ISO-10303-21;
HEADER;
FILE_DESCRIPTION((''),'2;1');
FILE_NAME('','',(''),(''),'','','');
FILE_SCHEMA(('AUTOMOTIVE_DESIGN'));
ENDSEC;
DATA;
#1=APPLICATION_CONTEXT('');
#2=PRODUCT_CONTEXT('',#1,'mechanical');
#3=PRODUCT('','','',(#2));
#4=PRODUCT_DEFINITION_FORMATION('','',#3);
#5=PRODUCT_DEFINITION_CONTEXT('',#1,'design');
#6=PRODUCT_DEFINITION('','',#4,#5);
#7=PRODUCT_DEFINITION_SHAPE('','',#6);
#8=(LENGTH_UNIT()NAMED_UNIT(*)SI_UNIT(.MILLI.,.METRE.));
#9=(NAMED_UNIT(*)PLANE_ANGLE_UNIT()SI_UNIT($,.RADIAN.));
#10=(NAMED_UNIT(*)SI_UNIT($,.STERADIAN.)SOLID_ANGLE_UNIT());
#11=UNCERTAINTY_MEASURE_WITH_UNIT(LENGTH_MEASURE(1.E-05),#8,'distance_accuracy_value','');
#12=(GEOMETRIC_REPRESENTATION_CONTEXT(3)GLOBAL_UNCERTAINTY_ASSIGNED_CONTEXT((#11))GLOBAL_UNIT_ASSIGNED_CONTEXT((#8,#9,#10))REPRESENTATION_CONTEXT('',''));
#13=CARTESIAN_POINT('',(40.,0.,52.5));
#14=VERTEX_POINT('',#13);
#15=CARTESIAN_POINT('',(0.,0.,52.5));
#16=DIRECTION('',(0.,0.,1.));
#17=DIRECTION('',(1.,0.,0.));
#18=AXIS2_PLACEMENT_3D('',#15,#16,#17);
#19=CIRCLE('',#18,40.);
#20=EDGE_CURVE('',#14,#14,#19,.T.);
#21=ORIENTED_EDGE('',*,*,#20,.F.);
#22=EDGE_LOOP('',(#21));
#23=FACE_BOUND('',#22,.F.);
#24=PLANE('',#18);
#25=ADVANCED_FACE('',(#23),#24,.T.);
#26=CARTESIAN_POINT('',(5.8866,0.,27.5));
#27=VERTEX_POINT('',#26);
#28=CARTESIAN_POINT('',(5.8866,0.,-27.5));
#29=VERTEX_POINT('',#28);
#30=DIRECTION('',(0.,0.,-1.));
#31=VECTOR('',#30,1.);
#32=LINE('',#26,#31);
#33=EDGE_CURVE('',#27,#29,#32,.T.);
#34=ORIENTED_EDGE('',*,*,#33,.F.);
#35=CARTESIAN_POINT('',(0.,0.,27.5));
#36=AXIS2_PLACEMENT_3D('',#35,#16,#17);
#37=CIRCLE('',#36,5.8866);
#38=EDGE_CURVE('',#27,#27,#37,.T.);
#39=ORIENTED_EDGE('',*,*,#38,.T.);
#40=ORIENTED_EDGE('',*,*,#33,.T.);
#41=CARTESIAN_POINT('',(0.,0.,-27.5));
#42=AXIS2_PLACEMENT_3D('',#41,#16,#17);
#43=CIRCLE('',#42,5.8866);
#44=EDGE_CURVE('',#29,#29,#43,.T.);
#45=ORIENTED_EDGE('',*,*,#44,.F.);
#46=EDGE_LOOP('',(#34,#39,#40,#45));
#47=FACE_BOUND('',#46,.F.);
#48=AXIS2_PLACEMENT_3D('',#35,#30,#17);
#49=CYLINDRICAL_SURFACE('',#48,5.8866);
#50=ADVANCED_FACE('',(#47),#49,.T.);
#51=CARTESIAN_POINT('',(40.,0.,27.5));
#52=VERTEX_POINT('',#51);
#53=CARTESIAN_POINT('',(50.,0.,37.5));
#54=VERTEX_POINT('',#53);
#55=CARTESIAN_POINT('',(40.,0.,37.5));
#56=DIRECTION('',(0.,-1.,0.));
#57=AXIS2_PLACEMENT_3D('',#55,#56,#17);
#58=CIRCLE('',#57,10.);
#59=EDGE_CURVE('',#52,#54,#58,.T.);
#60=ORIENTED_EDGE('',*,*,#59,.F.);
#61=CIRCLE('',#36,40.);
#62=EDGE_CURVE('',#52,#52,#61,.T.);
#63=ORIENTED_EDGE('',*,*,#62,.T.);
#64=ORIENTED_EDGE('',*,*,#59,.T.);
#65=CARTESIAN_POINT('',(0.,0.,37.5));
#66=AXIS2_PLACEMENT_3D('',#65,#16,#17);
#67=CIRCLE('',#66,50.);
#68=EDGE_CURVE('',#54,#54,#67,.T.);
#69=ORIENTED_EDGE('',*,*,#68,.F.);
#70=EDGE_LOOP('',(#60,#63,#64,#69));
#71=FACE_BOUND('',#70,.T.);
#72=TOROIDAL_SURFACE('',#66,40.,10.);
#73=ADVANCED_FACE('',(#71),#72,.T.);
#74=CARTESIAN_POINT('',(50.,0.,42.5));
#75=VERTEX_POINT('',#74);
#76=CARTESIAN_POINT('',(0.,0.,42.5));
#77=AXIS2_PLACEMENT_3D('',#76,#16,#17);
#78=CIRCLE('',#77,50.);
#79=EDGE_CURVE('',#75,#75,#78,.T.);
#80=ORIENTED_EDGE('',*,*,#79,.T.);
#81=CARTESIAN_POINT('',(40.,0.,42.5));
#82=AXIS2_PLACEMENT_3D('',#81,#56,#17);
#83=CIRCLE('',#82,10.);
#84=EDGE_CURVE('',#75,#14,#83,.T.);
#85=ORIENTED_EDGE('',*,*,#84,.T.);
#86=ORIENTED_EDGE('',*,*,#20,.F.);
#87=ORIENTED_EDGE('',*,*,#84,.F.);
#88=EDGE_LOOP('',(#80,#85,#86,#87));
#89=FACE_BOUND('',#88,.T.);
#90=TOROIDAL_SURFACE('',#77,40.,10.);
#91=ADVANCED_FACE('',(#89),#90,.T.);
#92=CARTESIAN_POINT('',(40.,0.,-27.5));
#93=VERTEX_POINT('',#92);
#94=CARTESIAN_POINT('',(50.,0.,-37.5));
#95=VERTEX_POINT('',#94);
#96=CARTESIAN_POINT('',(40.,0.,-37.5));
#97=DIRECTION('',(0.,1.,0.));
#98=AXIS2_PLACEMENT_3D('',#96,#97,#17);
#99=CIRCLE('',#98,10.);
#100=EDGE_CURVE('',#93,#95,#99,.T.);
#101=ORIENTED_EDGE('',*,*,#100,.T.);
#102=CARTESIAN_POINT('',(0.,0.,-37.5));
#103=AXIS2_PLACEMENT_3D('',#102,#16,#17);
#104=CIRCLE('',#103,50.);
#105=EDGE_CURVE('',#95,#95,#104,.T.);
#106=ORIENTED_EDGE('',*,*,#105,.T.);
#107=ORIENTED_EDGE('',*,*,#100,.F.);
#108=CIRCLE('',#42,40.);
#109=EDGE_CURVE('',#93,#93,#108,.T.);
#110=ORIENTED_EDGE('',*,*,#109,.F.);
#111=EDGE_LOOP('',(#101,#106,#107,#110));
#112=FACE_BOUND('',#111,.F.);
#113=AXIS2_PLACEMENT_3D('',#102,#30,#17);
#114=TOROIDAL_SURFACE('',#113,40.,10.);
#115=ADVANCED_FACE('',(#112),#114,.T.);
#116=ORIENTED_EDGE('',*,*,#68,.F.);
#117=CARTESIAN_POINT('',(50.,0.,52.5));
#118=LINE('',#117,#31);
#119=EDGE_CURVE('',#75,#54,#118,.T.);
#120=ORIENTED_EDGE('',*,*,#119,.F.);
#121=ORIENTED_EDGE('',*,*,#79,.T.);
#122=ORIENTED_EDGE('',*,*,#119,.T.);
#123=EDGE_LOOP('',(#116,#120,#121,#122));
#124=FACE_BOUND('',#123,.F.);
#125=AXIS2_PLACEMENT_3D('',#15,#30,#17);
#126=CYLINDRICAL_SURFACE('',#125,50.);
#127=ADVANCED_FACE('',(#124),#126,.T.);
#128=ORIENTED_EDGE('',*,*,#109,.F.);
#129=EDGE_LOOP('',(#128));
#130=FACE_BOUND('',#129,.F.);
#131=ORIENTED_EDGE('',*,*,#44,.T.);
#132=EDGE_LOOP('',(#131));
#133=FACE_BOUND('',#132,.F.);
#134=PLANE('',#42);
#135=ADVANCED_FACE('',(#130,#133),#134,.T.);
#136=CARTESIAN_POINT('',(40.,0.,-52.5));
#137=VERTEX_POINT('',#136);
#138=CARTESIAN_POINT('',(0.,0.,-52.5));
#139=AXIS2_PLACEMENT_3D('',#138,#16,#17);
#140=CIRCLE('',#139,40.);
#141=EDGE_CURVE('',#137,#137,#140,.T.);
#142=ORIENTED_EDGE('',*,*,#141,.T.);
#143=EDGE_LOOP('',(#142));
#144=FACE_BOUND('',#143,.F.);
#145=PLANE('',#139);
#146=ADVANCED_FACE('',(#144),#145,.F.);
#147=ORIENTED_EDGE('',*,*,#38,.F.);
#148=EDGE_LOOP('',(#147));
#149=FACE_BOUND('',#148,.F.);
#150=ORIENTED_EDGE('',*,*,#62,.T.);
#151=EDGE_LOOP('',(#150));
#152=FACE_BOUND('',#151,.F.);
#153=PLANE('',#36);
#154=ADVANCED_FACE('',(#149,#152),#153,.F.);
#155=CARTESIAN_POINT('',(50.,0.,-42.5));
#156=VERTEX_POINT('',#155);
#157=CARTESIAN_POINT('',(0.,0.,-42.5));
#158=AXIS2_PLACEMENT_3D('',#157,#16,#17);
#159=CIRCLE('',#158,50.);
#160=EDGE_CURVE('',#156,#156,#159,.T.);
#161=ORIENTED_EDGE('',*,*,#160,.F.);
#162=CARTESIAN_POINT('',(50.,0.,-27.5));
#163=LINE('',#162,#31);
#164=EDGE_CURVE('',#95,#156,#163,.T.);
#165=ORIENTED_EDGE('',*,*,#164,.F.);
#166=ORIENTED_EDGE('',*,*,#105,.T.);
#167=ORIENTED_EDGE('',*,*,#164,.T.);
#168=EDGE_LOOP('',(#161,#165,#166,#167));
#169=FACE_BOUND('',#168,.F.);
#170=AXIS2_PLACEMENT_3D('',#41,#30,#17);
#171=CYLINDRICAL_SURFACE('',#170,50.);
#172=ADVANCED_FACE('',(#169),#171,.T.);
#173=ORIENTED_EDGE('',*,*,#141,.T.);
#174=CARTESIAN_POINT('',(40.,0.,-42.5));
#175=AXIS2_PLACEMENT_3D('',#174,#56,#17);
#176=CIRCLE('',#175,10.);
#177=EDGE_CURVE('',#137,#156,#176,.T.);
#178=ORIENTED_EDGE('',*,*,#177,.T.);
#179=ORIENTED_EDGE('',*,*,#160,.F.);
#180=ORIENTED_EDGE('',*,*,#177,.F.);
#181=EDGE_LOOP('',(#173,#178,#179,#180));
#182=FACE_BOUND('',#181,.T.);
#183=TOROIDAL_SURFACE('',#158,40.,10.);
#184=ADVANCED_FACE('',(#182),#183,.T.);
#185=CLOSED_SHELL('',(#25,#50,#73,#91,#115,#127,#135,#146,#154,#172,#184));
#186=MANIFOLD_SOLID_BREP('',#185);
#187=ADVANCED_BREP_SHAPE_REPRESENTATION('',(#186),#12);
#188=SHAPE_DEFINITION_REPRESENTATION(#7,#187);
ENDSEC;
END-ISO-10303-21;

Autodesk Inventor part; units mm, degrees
ref_plane "YZ Plane" through (0, 0, 0) normal (1, 0, 0) x (0, 1, 0)
ref_plane "XZ Plane" through (0, 0, 0) normal (0, 1, 0) x (-1, 0, 0)
ref_plane "XY Plane" through (0, 0, 0) normal (0, 0, 1) x (1, 0, 0)
sketch "Sketch1" plane through (0, 0, 0) normal (0, 1, 0) x (-1, 0, 0)
  line L0 (-50, -27.5) -> (-50, -52.5)
  line L1 (-50, -52.5) -> (0, -52.5)
  line L2 (0, 52.5) -> (-50, 52.5)
  line L3 (-50, 52.5) -> (-50, 27.5)
  line L4 (-50, 27.5) -> (-5.8866, 27.5)
  line L5 (-5.8866, -27.5) -> (-50, -27.5)
  line L6 (-5.8866, 27.5) -> (-5.8866, -27.5)
  line L7 (0, -52.5) -> (0, 52.5)
  point P0 (0, 0)
revolve "Revolution1" add sketch "Sketch1" angle 360 about axis through (0, 0, -52.5) along (0, 0, 1)
fillet "Fillet1" radius 10 4 edges at (-50, 0, 27.5) (-50, 0, -27.5) (-50, 0, -52.5) (-50, 0, 52.5)
properties part number "WHEEL"
